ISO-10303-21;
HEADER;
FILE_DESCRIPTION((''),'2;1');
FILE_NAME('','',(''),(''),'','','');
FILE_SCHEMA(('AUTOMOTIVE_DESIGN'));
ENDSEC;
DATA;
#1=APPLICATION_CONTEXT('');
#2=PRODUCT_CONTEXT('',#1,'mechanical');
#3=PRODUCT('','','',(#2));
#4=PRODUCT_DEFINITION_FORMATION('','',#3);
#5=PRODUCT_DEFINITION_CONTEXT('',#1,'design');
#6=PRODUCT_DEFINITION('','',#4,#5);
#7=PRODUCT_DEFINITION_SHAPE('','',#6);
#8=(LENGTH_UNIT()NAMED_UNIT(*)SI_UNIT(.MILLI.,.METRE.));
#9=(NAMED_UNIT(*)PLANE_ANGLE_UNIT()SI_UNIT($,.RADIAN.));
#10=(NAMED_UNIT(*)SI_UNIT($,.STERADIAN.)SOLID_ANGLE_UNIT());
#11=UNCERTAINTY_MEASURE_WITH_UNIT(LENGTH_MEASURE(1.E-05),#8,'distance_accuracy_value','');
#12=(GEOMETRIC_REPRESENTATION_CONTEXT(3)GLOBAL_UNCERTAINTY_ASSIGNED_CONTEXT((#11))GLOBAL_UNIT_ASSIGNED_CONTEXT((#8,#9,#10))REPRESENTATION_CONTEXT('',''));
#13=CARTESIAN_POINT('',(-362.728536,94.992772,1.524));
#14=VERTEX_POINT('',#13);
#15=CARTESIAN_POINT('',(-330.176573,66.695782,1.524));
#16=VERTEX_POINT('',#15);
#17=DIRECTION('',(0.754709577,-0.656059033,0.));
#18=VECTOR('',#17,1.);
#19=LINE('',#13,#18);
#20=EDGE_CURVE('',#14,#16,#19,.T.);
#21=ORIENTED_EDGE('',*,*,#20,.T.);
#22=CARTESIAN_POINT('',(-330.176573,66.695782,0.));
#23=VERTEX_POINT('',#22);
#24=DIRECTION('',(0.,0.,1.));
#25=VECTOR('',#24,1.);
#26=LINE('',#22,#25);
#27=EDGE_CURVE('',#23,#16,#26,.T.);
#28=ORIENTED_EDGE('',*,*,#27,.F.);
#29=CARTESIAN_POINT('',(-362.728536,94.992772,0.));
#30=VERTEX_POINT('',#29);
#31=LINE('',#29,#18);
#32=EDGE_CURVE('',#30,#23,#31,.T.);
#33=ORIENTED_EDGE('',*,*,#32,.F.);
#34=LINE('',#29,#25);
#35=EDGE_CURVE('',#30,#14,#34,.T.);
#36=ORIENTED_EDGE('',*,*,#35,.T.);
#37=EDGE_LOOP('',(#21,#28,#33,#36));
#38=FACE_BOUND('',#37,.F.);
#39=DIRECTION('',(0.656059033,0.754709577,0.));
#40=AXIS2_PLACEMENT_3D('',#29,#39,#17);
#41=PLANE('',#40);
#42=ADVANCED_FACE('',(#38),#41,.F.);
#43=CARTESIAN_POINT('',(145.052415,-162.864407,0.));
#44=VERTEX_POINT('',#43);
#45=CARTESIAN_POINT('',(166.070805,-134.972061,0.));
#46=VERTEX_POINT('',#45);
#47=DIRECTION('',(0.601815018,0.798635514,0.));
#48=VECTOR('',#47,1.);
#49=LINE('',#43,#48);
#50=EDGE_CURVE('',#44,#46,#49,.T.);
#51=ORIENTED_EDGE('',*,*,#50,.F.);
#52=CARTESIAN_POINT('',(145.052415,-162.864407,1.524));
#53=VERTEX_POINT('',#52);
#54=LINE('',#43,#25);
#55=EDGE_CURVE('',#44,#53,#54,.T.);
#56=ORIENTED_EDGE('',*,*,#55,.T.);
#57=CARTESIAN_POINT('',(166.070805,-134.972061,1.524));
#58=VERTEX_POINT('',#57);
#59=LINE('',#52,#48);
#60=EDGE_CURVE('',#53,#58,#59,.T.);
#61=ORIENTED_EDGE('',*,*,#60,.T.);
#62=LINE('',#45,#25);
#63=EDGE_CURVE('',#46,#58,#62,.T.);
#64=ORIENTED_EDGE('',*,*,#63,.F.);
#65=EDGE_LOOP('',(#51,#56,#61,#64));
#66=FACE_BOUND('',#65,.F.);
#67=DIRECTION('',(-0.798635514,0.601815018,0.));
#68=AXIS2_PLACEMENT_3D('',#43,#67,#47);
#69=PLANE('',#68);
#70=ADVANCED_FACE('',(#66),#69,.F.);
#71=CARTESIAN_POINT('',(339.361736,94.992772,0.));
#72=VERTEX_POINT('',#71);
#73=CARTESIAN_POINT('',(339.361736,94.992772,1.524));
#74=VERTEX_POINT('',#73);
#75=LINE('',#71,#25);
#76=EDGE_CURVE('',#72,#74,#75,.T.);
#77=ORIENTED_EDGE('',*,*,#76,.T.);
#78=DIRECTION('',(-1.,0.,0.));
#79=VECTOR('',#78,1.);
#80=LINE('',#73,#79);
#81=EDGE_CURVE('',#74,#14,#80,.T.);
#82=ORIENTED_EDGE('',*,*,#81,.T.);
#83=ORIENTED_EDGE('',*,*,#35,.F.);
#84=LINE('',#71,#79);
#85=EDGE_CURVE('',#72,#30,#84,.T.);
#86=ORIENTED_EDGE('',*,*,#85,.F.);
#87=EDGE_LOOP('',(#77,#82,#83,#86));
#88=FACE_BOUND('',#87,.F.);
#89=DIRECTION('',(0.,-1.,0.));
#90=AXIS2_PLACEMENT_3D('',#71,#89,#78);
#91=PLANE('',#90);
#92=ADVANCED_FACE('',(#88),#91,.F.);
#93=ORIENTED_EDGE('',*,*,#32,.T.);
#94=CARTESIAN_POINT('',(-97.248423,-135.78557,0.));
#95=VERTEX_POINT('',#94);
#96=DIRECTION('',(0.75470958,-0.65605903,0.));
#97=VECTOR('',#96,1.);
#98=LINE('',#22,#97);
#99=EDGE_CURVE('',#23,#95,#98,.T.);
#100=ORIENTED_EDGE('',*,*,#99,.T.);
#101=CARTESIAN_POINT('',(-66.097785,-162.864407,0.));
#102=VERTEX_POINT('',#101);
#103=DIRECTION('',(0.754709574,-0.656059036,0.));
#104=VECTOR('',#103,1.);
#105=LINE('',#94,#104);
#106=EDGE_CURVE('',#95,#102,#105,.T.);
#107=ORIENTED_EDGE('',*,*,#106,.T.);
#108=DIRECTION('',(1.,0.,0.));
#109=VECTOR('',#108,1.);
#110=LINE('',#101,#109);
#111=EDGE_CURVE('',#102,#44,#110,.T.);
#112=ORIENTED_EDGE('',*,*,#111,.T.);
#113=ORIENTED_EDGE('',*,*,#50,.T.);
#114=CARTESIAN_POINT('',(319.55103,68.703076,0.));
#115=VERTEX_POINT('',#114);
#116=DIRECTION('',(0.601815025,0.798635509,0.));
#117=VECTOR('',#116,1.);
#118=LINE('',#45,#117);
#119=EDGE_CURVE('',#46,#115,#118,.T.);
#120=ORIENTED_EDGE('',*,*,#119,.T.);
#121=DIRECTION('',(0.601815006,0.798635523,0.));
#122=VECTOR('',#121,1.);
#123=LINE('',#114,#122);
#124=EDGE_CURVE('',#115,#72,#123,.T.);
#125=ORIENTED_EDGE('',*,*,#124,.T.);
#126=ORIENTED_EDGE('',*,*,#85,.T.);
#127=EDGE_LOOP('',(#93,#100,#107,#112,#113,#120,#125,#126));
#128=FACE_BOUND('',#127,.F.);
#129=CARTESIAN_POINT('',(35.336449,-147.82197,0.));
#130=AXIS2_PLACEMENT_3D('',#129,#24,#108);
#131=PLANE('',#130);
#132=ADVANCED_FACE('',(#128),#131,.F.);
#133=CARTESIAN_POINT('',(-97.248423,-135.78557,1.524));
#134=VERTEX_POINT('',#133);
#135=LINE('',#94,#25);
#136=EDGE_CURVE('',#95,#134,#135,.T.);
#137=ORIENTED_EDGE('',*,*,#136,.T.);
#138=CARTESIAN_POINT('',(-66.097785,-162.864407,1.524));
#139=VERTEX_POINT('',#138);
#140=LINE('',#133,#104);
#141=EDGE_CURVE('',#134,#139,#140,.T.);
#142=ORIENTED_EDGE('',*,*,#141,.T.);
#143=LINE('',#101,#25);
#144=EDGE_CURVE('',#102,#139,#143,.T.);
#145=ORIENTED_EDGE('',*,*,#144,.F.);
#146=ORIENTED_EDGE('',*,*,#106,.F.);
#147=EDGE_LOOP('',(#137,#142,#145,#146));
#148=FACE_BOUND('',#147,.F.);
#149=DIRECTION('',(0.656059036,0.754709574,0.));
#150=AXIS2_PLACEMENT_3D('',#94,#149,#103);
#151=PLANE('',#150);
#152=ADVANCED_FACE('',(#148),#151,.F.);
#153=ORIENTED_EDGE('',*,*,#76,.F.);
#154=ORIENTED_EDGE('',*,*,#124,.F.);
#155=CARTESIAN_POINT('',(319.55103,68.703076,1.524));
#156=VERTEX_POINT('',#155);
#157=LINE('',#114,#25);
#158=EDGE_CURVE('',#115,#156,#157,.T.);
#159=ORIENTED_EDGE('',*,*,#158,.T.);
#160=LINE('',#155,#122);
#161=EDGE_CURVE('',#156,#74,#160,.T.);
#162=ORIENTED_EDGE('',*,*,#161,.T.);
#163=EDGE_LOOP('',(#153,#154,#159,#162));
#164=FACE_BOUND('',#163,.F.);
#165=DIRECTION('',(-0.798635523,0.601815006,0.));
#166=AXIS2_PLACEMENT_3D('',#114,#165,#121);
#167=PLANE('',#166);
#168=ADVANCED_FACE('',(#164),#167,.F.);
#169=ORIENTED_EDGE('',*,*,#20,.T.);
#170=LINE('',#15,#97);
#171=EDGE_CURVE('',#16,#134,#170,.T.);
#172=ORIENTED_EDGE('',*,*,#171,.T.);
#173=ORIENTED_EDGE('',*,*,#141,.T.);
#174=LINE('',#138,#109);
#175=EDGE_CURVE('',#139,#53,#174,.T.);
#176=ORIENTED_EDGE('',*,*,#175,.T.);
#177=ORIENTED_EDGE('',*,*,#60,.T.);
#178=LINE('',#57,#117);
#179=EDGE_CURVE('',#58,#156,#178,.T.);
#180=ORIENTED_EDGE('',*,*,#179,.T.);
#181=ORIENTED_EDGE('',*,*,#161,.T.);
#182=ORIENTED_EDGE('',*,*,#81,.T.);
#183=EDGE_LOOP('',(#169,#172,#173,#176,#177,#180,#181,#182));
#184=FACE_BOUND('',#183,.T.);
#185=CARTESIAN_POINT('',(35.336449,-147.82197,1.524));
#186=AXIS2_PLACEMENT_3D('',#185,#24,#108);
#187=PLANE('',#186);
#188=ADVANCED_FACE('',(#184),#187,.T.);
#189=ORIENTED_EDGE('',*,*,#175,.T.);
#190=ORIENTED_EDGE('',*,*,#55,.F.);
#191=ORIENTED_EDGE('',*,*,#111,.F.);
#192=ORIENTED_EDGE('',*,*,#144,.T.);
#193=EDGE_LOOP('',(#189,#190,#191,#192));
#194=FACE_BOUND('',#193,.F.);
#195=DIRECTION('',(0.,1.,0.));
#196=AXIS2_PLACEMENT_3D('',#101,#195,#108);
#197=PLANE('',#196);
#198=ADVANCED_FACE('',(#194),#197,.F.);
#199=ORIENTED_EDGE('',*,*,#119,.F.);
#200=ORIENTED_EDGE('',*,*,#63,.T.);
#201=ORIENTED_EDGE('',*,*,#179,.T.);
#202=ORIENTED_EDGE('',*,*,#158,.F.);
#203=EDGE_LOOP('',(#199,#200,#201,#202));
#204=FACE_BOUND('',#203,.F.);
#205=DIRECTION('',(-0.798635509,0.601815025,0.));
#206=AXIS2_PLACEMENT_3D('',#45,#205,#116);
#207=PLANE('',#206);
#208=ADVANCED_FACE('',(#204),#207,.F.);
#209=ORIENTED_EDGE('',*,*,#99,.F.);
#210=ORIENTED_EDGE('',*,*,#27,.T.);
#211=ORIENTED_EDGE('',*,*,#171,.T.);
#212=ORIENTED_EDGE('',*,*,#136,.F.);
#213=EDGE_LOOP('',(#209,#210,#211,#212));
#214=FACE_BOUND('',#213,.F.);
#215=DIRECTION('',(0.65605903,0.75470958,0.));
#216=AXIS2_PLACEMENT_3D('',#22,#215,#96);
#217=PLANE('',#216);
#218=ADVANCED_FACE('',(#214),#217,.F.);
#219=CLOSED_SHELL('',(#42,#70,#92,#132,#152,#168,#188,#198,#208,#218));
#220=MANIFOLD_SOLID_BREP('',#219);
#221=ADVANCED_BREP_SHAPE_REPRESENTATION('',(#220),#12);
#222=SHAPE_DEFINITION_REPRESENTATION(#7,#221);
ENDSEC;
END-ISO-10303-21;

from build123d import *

# Parameters (mm, degrees)
F1_DEPTH = 1.524


with BuildPart() as f1:
    # F0 (on Top) → F1 (new body)
    with BuildSketch(Plane.XY):
        Polygon((-97.248423, -135.78557), (-66.097785, -162.864407), (145.052415, -162.864407), (166.070805, -134.972061), align=None)
        Polygon((-330.176573, 66.695782), (-97.248423, -135.78557), (166.070805, -134.972061), (319.55103, 68.703076), align=None)
        Polygon((-362.728536, 94.992772), (-330.176573, 66.695782), (319.55103, 68.703076), (339.361736, 94.992772), align=None)
    extrude(amount=F1_DEPTH)


solid = f1.part
